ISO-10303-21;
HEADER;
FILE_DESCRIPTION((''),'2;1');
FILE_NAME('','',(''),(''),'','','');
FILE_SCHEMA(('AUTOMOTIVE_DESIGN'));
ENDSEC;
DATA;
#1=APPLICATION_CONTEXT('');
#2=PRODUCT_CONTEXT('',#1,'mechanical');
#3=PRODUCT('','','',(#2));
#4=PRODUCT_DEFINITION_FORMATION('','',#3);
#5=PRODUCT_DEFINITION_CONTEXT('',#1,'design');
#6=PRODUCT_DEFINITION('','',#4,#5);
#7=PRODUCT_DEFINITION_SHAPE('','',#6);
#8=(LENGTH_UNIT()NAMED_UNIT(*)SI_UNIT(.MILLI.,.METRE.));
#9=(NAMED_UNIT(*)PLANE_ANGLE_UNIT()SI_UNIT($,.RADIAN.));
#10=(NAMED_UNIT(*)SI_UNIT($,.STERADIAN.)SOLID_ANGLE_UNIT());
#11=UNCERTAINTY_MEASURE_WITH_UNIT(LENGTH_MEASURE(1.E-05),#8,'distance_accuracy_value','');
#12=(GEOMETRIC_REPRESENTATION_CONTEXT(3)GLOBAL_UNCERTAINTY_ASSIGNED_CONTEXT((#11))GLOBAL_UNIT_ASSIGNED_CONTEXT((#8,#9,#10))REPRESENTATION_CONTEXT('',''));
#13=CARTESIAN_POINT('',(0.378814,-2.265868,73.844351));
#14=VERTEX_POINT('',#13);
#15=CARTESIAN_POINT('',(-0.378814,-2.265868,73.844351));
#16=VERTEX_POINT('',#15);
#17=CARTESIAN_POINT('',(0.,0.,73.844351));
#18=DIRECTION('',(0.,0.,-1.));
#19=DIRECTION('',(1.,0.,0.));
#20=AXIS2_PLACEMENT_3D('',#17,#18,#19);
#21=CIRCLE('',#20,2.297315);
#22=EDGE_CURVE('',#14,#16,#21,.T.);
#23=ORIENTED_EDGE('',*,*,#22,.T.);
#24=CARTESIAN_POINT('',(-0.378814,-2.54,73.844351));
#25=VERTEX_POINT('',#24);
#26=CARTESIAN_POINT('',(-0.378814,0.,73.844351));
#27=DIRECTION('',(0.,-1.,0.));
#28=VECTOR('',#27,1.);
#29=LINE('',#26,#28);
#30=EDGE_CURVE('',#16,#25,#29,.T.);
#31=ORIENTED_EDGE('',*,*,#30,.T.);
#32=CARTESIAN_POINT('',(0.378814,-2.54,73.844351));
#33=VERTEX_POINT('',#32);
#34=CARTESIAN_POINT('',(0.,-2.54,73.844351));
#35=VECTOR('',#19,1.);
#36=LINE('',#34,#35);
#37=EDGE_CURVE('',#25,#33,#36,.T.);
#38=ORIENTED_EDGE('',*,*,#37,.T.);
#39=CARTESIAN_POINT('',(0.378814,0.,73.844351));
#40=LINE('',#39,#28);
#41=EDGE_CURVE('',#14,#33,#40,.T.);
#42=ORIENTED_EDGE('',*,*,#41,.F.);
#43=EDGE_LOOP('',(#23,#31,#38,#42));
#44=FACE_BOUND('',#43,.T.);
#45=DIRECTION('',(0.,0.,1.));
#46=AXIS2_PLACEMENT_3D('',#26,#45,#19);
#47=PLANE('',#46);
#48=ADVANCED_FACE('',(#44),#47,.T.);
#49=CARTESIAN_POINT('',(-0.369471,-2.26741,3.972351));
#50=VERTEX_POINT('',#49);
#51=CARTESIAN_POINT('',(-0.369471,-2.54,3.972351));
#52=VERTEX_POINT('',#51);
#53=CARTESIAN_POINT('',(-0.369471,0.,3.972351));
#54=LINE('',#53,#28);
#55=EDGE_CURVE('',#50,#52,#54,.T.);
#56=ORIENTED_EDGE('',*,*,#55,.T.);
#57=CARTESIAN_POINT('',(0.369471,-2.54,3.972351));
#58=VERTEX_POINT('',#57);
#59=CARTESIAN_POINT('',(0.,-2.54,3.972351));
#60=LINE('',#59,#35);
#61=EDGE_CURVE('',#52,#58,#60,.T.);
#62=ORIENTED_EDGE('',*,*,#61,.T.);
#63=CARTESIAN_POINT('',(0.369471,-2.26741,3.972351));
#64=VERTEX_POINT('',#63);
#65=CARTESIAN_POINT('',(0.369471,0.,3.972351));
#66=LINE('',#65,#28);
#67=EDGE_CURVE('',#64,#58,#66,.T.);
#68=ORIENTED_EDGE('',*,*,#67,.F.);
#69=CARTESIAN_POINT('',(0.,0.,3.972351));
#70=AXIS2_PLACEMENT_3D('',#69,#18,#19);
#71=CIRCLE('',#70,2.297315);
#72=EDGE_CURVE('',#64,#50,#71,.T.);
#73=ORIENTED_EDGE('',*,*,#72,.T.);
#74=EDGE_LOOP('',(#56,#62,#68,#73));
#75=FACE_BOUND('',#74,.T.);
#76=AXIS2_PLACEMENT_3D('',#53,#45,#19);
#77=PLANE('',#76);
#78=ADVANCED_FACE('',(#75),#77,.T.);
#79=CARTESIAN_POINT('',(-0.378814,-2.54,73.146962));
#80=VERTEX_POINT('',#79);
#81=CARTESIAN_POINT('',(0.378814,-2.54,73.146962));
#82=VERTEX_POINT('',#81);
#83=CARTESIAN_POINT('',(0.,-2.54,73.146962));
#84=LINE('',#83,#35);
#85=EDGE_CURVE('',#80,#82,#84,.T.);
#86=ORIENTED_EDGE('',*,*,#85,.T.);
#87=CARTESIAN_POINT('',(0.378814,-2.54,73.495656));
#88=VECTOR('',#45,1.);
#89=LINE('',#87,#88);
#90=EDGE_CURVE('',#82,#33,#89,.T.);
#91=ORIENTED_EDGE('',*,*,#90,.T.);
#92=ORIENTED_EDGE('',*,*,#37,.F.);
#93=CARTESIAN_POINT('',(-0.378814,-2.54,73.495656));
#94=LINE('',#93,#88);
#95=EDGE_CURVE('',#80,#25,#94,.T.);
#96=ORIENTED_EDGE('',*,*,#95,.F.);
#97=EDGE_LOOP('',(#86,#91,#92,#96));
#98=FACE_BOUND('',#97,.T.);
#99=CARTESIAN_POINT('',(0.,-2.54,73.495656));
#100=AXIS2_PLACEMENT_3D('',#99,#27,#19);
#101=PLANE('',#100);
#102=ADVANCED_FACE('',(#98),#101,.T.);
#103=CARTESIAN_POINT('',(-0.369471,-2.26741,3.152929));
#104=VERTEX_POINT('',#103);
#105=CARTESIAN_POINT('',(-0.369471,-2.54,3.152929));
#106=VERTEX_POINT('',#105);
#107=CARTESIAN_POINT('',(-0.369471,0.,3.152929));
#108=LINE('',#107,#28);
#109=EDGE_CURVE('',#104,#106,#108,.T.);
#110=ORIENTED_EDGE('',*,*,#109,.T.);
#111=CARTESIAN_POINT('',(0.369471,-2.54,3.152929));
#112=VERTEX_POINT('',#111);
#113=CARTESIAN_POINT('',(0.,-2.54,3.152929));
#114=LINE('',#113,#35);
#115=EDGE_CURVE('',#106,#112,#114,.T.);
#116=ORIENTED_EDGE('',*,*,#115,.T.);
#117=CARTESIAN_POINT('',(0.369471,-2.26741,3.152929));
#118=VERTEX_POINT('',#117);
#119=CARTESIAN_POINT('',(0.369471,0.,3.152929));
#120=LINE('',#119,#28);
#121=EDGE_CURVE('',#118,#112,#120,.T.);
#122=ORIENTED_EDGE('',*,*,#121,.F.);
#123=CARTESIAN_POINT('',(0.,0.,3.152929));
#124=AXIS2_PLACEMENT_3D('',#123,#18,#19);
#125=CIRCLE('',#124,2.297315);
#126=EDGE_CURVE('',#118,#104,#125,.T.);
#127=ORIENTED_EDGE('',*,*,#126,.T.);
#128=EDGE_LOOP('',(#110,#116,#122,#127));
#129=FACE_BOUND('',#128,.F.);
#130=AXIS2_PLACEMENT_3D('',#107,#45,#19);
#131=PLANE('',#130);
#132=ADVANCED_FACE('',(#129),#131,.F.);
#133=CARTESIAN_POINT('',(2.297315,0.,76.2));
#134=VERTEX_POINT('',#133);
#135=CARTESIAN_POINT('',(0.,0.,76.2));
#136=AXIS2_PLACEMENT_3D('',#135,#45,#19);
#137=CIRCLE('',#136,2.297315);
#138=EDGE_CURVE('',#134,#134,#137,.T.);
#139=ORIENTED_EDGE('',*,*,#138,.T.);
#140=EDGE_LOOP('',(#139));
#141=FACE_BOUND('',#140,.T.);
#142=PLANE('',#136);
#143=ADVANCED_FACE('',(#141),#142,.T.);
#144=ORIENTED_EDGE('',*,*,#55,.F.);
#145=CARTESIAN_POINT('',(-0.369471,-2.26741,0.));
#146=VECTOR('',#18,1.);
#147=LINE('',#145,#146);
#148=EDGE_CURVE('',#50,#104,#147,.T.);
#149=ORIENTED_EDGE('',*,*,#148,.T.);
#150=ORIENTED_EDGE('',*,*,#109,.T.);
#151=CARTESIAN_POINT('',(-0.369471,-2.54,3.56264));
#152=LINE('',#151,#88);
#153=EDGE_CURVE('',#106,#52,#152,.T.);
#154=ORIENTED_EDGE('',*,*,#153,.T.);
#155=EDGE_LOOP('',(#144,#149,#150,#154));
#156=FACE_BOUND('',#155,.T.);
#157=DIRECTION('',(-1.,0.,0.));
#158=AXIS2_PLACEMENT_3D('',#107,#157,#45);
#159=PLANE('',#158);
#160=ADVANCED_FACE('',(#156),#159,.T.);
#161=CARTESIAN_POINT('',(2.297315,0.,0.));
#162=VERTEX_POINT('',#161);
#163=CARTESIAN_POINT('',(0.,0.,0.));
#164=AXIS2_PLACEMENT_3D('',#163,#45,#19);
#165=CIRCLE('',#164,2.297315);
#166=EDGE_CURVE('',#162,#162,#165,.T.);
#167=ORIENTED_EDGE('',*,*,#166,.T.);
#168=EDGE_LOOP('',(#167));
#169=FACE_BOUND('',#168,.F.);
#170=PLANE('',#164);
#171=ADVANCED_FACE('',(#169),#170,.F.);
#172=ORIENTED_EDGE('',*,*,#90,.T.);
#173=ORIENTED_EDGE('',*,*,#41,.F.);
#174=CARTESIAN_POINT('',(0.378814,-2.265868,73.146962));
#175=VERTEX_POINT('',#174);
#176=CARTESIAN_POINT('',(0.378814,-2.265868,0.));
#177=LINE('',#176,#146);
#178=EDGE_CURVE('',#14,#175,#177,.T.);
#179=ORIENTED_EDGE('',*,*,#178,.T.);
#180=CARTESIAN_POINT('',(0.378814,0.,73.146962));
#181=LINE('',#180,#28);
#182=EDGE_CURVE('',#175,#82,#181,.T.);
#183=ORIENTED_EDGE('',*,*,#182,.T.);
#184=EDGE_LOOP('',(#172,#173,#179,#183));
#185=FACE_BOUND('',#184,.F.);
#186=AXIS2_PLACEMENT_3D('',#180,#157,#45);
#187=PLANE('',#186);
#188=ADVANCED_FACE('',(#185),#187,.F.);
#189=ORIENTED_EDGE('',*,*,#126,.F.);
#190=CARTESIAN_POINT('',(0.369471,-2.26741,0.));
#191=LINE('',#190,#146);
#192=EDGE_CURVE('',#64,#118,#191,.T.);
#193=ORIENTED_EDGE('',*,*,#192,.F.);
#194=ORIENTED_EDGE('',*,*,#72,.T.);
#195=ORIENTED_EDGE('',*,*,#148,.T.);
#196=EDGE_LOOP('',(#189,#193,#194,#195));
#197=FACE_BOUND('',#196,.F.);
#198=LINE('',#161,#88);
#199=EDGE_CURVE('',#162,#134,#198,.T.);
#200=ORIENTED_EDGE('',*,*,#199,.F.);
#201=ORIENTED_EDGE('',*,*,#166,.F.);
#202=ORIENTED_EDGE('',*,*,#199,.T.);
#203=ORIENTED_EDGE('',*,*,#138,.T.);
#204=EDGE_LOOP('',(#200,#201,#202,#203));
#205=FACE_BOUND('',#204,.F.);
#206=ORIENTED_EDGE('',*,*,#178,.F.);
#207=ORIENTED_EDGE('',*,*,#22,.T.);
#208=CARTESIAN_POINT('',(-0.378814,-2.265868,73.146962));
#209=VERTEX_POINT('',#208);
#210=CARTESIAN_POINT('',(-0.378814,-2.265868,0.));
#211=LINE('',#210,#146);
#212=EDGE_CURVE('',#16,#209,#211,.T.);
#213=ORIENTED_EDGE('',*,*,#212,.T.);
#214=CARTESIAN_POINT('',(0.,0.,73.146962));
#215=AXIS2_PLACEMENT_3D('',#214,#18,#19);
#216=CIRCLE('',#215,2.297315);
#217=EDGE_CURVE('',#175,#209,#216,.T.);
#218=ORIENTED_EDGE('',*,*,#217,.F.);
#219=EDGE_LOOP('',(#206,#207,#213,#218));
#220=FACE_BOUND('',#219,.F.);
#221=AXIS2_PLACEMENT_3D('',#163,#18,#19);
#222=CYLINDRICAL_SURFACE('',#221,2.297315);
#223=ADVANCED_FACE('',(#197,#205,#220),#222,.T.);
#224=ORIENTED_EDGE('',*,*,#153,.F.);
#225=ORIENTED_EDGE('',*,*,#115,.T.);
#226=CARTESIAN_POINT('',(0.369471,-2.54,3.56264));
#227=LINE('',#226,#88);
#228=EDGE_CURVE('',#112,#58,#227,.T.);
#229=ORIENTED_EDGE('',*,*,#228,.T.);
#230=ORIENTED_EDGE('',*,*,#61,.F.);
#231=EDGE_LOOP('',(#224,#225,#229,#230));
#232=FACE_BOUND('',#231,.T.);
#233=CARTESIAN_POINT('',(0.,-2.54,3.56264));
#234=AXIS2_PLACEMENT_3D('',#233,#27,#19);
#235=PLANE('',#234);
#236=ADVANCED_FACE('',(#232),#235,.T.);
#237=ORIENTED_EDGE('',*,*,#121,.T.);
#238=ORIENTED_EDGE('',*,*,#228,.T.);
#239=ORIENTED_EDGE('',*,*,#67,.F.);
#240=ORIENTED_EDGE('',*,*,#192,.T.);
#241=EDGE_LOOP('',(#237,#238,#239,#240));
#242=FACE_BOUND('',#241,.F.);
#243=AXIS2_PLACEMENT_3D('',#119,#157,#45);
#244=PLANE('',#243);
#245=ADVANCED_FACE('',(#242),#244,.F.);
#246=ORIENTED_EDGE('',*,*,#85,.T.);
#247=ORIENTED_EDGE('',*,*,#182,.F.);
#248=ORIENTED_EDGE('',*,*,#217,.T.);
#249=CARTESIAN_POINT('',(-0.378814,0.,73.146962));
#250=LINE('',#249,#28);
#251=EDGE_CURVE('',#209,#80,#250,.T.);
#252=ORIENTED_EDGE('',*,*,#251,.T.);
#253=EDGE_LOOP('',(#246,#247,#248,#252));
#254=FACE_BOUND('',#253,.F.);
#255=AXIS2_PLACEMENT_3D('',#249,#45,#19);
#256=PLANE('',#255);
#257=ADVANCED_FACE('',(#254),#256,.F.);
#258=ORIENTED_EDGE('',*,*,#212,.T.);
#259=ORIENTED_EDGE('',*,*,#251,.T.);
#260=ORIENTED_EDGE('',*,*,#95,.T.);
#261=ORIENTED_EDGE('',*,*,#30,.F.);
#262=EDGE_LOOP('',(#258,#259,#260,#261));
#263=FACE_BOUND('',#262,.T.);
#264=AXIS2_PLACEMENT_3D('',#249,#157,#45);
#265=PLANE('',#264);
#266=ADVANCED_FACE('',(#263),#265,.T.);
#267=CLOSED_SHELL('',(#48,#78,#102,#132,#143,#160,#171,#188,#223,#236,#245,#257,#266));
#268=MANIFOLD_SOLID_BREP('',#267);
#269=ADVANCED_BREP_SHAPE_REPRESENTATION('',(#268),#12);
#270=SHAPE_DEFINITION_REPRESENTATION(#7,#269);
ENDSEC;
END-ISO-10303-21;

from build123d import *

# Parameters (mm, degrees)
F0_R     = 2.297315
F1_DEPTH = 76.2
F2_W     = 0.757628
F2_H     = 0.697389
F2_W_2   = 0.738942
F2_H_2   = 0.819422
F3_DEPTH = 2.54


with BuildPart() as f1:
    # F0 (on Top) → F1 (new body)
    with BuildSketch(Plane.XY):
        Circle(F0_R)
    extrude(amount=F1_DEPTH)

    # F2 (on Front) → F3 (join)
    with BuildSketch(Plane.XZ):
        with Locations((0, 73.495656)):
            Rectangle(F2_W, F2_H)
        with Locations((0, 3.56264)):
            Rectangle(F2_W_2, F2_H_2)
    extrude(amount=F3_DEPTH)


solid = f1.part
